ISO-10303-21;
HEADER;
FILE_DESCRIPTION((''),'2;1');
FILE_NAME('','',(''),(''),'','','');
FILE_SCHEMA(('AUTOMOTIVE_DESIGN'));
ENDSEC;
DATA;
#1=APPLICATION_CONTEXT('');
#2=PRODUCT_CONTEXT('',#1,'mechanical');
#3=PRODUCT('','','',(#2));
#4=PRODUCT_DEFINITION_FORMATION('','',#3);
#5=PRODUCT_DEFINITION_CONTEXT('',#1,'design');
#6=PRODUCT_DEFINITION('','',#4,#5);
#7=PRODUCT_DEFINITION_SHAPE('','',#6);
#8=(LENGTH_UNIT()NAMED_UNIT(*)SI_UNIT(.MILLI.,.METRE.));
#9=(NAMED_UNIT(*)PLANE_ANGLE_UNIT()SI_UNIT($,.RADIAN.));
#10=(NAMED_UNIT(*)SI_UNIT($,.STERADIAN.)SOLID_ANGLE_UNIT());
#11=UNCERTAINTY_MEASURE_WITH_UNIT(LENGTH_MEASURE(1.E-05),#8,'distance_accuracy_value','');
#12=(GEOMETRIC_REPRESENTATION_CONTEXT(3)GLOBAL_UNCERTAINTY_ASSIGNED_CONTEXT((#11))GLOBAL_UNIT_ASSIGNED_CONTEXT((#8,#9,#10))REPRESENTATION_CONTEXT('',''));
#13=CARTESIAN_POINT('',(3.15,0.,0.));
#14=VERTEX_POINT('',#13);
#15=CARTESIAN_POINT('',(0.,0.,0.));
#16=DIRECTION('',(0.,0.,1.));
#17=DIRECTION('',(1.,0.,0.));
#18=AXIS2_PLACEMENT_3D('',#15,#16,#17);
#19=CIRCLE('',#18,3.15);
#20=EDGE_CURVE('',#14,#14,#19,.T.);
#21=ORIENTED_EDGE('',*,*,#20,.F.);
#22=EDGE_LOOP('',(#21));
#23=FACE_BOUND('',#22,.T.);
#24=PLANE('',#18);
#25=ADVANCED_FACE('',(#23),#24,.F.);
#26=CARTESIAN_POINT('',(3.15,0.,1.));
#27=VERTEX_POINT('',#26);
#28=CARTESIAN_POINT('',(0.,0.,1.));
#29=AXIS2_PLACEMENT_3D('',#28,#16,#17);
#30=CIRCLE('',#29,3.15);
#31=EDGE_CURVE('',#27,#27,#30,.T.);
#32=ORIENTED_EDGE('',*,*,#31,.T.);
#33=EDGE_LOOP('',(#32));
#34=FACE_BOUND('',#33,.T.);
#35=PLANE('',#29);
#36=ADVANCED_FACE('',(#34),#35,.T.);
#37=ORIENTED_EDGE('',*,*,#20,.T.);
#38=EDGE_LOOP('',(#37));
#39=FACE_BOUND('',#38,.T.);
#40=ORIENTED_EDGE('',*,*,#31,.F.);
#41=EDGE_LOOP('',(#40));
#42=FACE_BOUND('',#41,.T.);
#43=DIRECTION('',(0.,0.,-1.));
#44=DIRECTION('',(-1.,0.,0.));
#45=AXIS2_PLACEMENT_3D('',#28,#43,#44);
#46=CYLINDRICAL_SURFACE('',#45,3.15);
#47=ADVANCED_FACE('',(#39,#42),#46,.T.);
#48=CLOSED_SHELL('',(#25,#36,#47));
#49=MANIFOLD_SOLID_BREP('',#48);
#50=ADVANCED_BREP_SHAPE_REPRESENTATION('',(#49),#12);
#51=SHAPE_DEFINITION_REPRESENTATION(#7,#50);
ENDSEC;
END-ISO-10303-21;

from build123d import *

# Parameters (mm, degrees)
SKETCH_1_R      = 3.15
EXTRUDE_1_DEPTH = 1


with BuildPart() as part:
    # 草图1 → 凸台-拉伸1 (new body)
    with BuildSketch(Plane.XY):
        Circle(SKETCH_1_R)
    extrude(amount=EXTRUDE_1_DEPTH)


solid = part.part
